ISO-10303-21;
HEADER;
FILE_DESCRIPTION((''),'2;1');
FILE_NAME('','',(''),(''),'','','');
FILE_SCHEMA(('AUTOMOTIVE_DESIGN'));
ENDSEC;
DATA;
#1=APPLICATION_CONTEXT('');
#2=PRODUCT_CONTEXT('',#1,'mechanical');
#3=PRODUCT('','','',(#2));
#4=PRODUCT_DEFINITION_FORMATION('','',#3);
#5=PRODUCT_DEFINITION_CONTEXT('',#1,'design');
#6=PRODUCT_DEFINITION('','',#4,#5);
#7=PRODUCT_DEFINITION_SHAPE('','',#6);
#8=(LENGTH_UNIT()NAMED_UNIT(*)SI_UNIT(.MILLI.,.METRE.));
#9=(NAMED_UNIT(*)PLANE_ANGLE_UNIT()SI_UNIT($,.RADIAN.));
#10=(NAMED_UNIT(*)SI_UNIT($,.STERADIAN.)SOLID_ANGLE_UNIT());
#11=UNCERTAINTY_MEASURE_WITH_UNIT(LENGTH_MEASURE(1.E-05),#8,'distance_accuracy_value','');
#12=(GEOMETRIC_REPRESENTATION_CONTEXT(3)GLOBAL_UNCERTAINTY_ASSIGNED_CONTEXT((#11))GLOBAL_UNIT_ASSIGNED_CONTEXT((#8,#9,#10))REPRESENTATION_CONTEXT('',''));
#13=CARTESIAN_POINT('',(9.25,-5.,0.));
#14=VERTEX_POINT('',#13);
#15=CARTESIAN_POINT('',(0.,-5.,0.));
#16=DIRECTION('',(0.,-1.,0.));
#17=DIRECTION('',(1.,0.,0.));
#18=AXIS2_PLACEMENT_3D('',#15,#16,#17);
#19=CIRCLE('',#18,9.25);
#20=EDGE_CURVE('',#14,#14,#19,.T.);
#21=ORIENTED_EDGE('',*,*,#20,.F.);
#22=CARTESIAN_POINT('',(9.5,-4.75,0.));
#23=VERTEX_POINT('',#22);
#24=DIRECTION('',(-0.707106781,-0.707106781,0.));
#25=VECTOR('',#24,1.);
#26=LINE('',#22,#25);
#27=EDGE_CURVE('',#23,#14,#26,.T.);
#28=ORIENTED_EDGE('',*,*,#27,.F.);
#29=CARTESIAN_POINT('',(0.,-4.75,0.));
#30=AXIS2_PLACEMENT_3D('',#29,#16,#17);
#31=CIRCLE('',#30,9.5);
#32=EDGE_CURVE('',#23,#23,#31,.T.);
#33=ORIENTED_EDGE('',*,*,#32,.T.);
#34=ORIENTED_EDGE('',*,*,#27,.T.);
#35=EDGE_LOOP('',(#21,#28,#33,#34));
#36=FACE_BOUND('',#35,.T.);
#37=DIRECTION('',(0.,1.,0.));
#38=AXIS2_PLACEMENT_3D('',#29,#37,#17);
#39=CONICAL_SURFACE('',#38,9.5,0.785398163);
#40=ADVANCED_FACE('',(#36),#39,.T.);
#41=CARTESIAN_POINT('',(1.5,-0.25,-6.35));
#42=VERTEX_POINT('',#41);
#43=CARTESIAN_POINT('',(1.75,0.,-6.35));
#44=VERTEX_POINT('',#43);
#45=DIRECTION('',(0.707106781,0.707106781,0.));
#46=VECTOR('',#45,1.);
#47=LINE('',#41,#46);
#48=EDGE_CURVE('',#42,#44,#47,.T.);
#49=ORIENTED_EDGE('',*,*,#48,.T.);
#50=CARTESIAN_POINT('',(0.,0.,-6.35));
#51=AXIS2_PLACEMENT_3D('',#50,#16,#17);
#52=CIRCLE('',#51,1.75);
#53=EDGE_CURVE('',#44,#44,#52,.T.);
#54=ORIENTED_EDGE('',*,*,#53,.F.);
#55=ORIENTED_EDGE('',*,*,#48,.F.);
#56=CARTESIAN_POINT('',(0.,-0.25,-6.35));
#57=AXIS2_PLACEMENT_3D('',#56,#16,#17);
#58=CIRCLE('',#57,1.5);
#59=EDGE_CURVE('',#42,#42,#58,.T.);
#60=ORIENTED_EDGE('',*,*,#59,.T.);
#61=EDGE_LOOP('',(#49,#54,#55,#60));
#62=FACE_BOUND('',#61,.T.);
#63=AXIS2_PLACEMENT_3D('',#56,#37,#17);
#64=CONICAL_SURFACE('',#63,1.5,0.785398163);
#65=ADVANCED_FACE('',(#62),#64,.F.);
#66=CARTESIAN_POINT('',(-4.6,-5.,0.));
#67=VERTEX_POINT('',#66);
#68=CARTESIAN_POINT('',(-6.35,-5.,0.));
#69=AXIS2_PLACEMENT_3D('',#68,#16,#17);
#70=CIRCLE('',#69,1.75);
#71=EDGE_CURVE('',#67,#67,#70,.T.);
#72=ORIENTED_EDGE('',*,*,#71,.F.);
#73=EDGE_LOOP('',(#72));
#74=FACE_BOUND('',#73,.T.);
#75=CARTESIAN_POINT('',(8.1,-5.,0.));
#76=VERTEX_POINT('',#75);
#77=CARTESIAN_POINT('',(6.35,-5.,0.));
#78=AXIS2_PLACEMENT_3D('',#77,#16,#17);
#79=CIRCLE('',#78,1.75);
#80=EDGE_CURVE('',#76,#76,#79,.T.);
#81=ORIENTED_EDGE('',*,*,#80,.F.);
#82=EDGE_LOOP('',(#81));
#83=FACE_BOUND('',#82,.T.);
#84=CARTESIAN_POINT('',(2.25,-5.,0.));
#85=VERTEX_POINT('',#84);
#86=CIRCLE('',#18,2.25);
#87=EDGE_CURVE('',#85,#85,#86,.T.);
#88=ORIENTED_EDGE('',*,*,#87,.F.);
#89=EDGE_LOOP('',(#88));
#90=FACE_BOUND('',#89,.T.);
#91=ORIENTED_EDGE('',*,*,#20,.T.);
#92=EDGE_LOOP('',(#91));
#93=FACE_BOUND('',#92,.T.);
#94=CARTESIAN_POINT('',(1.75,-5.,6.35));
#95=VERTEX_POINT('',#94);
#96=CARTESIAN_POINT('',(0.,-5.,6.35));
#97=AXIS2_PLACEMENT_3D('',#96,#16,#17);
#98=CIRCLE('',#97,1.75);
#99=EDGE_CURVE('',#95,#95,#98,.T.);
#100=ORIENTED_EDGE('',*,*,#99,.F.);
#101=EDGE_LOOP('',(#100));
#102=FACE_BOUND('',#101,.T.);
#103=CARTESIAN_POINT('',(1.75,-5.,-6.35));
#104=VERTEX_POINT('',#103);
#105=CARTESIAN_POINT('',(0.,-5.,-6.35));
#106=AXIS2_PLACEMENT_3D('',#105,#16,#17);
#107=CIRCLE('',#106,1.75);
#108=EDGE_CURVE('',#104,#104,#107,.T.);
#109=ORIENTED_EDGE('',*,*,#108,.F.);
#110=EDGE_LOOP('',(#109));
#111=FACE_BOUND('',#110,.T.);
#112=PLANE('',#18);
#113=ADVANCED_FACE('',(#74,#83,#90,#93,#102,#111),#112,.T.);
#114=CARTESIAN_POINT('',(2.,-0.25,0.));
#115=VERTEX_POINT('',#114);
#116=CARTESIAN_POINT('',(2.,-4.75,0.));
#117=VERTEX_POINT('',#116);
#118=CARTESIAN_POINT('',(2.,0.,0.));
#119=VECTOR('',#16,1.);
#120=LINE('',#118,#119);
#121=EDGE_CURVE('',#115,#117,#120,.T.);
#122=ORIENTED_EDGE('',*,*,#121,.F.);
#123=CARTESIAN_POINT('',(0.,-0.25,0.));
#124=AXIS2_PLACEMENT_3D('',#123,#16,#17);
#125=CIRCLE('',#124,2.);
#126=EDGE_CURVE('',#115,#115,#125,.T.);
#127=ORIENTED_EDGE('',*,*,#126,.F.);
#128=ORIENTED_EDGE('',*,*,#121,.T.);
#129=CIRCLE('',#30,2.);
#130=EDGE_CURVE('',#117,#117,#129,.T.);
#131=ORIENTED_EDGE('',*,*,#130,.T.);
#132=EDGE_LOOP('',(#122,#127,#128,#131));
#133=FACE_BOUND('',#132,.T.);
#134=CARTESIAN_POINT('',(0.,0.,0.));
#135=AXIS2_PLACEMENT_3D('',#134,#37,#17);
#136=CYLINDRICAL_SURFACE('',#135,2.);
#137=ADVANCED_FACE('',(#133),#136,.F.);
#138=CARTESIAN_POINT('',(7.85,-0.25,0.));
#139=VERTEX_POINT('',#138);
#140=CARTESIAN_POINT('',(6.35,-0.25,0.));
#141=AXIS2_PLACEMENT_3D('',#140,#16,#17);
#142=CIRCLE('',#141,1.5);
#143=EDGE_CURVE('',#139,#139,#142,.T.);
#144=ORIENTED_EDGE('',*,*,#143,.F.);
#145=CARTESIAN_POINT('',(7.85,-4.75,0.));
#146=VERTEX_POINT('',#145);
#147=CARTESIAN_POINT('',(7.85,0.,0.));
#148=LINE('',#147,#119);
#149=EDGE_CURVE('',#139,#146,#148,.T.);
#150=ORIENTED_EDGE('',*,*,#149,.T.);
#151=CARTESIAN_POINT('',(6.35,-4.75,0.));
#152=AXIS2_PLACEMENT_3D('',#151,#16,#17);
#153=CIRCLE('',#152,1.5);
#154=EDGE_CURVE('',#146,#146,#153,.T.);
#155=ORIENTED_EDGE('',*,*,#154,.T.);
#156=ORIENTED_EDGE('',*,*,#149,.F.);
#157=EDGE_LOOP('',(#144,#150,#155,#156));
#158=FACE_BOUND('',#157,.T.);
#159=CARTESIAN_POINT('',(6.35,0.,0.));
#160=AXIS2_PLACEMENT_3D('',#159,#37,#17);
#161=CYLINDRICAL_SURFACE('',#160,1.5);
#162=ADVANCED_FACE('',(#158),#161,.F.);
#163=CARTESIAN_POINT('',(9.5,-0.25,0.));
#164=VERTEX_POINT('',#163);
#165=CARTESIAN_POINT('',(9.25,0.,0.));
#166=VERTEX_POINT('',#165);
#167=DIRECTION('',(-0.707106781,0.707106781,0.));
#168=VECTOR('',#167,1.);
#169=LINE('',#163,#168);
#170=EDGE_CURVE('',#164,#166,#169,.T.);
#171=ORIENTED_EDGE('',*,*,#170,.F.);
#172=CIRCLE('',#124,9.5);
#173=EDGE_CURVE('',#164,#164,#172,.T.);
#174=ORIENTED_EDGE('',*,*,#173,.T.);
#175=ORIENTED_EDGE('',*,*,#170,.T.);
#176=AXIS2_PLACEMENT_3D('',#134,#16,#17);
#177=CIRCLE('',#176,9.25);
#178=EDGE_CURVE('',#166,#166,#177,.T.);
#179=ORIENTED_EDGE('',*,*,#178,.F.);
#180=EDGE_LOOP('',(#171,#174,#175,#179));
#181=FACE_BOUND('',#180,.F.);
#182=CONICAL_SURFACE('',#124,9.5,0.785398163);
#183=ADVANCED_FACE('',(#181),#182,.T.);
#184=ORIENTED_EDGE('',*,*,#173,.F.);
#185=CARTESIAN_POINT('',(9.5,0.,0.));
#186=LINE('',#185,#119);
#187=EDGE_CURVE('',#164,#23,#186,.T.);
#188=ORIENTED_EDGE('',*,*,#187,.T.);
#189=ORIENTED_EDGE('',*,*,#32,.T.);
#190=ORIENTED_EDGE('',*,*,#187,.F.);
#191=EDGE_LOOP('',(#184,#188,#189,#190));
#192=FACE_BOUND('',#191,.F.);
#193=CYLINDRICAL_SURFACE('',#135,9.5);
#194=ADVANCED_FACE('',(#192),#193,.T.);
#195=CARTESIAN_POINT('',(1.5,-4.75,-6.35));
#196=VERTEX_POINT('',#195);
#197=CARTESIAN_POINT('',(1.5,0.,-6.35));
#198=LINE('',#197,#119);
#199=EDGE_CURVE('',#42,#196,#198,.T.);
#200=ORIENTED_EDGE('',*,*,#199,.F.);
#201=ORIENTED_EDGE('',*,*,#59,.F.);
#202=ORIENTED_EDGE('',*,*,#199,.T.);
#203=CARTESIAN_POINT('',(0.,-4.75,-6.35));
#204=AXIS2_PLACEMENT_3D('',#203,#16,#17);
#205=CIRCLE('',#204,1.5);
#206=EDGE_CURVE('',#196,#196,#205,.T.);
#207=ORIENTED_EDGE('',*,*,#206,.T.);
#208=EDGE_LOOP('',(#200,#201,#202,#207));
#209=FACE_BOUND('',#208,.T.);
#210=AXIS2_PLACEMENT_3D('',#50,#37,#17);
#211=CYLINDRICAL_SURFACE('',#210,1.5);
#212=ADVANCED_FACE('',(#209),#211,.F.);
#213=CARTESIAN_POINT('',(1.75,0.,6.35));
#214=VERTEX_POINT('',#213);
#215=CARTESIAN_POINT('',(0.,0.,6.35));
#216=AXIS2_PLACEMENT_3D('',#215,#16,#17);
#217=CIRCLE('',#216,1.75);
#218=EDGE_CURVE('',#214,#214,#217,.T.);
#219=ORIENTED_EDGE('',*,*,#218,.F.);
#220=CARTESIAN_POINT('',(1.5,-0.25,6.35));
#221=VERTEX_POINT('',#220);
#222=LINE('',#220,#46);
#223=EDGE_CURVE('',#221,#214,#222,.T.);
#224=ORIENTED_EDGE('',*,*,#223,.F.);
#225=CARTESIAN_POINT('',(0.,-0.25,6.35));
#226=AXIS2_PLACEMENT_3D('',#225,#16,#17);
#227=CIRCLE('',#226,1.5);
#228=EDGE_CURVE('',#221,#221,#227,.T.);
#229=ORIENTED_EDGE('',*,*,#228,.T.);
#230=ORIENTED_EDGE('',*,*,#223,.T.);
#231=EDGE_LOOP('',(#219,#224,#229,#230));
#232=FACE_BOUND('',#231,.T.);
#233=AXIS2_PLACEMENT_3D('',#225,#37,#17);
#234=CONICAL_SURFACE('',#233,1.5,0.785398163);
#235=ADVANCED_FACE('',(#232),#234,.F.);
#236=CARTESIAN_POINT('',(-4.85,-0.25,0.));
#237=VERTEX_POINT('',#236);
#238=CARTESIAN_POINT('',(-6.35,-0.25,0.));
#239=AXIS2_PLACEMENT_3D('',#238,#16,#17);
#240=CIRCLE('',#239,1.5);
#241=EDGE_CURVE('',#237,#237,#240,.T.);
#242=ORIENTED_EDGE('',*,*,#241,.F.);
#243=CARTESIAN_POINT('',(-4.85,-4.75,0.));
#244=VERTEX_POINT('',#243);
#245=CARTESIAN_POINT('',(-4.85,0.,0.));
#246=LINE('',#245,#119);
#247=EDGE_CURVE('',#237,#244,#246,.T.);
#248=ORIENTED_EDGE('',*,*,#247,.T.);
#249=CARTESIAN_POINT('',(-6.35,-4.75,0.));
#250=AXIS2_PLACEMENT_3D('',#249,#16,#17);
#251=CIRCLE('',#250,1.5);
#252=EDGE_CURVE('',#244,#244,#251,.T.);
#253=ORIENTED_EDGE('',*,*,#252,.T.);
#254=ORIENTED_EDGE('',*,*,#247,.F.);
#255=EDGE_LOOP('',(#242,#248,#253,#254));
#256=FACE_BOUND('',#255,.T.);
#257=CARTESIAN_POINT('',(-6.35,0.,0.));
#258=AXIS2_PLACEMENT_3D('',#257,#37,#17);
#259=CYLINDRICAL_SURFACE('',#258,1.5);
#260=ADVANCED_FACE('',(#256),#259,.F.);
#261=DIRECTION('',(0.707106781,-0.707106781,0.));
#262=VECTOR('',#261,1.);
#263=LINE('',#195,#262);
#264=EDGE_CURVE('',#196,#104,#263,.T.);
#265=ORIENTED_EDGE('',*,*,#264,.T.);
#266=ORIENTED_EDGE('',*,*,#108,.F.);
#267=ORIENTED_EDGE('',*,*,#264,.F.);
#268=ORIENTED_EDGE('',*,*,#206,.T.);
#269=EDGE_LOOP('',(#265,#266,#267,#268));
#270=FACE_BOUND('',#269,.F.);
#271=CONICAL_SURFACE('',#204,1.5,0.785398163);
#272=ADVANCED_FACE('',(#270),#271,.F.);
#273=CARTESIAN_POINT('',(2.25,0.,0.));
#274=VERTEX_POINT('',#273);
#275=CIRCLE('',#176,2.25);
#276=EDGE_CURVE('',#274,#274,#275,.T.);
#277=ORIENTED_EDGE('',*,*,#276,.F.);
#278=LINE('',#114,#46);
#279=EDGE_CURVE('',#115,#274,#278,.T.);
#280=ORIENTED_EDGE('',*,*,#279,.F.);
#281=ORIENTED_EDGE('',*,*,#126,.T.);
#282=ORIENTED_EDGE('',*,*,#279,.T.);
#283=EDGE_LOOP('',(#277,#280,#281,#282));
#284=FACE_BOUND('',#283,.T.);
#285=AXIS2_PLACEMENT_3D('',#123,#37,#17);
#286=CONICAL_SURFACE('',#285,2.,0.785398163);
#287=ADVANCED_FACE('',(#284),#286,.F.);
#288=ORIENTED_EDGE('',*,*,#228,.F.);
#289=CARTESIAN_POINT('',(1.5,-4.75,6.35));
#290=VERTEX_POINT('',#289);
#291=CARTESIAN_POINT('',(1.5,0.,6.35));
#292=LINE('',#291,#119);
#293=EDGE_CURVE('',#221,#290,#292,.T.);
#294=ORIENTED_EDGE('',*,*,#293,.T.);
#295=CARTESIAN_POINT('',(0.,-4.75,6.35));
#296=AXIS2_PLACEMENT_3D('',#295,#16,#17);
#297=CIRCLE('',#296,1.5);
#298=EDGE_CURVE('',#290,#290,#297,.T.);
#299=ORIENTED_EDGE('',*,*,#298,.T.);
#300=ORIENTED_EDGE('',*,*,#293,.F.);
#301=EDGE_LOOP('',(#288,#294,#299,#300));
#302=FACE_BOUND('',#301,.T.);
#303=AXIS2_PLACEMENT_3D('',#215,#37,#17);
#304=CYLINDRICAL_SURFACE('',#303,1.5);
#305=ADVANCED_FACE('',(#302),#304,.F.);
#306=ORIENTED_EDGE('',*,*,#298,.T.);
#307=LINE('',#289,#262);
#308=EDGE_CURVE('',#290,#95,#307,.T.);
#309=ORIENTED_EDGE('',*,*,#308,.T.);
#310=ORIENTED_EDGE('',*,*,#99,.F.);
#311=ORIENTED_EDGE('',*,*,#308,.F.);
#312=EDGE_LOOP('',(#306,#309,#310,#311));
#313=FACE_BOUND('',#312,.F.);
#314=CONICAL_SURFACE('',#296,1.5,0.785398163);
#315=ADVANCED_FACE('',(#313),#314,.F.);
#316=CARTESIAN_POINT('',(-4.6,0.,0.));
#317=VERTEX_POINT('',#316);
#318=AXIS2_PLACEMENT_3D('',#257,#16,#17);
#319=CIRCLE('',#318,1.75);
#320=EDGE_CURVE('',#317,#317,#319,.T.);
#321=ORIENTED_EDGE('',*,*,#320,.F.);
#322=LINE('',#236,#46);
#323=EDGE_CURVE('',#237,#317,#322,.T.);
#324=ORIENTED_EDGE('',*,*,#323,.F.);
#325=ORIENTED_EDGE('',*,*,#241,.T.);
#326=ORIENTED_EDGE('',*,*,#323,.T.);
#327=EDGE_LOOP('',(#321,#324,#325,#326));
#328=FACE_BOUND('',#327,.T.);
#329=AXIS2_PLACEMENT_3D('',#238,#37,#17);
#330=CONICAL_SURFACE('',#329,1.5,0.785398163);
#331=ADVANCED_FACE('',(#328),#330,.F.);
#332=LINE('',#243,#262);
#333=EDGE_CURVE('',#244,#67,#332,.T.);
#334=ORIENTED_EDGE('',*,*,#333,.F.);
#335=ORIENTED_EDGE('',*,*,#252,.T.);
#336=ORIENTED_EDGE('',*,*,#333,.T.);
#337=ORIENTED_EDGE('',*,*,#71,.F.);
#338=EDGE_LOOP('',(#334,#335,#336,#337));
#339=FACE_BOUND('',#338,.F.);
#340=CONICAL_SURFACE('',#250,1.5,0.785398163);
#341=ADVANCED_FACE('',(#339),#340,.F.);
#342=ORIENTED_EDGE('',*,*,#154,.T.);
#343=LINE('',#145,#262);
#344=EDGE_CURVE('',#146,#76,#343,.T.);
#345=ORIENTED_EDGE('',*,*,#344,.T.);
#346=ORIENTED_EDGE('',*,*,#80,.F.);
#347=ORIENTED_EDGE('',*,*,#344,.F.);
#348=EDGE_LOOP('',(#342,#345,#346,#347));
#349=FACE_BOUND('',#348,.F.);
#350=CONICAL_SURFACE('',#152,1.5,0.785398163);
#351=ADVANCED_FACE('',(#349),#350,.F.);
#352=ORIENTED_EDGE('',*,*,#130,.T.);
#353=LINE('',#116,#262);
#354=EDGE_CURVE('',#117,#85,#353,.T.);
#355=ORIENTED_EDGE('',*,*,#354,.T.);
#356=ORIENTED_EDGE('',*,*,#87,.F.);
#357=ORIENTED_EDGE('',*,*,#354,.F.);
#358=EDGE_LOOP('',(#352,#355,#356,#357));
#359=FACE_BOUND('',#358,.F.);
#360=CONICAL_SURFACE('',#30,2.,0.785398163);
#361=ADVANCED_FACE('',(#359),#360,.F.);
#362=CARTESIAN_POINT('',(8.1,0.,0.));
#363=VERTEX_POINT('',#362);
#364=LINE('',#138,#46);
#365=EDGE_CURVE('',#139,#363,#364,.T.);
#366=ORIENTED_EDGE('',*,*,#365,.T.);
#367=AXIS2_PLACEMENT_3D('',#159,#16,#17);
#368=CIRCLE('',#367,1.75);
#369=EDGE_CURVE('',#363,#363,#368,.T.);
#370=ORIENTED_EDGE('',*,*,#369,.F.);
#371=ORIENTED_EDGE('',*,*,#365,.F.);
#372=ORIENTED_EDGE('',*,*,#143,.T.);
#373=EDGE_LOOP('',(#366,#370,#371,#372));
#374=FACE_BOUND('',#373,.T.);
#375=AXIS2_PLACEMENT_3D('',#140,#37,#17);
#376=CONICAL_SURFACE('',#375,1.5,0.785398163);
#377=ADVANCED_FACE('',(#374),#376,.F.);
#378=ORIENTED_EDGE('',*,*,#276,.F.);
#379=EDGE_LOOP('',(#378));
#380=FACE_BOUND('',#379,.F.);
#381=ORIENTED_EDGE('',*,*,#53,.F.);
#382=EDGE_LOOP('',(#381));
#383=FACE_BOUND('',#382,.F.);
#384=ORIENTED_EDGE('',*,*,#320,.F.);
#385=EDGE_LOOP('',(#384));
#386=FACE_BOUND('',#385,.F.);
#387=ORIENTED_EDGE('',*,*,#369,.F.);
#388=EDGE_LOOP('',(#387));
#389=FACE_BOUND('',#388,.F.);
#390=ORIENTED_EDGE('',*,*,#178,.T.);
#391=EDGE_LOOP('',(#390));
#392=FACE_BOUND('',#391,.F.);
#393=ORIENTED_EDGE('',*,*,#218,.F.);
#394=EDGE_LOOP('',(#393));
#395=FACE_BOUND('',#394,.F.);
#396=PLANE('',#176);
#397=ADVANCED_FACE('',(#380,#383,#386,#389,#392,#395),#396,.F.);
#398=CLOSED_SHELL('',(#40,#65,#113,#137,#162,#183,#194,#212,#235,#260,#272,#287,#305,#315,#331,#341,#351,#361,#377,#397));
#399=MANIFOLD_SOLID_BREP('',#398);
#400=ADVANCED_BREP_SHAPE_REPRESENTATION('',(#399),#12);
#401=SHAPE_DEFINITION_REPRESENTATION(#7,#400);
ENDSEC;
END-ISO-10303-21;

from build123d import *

# Parameters (mm, degrees)
F0_R     = 9.5
F0_R_2   = 1.5
F0_R_3   = 2
F1_DEPTH = 5
F2_SIZE  = 0.25


with BuildPart() as f1:
    # F0 (on Front) → F1 (new body)
    with BuildSketch(Plane.XZ):
        Circle(F0_R)
        with Locations((0, -6.35)):
            Circle(F0_R_2, mode=Mode.SUBTRACT)
        with Locations((-6.35, 0)):
            Circle(F0_R_2, mode=Mode.SUBTRACT)
        Circle(F0_R_3, mode=Mode.SUBTRACT)
        with Locations((6.35, 0)):
            Circle(F0_R_2, mode=Mode.SUBTRACT)
        with Locations((0, 6.35)):
            Circle(F0_R_2, mode=Mode.SUBTRACT)
    extrude(amount=F1_DEPTH)

    # F2
    f2_edges = [f1.edges().sort_by_distance(p)[0] for p in [
        (-9.5, -5, 0),
        (-9.5, 0, 0),
        (-7.85, -5, 0),
        (-1.5, -5, 6.35),
        (-2, -5, 0),
        (-1.5, -5, -6.35),
        (4.85, -5, 0),
        (4.85, 0, 0),
        (-2, 0, 0),
        (-1.5, 0, 6.35),
        (-7.85, 0, 0),
        (-1.5, 0, -6.35),
    ]]
    chamfer(f2_edges, length=F2_SIZE)


solid = f1.part
